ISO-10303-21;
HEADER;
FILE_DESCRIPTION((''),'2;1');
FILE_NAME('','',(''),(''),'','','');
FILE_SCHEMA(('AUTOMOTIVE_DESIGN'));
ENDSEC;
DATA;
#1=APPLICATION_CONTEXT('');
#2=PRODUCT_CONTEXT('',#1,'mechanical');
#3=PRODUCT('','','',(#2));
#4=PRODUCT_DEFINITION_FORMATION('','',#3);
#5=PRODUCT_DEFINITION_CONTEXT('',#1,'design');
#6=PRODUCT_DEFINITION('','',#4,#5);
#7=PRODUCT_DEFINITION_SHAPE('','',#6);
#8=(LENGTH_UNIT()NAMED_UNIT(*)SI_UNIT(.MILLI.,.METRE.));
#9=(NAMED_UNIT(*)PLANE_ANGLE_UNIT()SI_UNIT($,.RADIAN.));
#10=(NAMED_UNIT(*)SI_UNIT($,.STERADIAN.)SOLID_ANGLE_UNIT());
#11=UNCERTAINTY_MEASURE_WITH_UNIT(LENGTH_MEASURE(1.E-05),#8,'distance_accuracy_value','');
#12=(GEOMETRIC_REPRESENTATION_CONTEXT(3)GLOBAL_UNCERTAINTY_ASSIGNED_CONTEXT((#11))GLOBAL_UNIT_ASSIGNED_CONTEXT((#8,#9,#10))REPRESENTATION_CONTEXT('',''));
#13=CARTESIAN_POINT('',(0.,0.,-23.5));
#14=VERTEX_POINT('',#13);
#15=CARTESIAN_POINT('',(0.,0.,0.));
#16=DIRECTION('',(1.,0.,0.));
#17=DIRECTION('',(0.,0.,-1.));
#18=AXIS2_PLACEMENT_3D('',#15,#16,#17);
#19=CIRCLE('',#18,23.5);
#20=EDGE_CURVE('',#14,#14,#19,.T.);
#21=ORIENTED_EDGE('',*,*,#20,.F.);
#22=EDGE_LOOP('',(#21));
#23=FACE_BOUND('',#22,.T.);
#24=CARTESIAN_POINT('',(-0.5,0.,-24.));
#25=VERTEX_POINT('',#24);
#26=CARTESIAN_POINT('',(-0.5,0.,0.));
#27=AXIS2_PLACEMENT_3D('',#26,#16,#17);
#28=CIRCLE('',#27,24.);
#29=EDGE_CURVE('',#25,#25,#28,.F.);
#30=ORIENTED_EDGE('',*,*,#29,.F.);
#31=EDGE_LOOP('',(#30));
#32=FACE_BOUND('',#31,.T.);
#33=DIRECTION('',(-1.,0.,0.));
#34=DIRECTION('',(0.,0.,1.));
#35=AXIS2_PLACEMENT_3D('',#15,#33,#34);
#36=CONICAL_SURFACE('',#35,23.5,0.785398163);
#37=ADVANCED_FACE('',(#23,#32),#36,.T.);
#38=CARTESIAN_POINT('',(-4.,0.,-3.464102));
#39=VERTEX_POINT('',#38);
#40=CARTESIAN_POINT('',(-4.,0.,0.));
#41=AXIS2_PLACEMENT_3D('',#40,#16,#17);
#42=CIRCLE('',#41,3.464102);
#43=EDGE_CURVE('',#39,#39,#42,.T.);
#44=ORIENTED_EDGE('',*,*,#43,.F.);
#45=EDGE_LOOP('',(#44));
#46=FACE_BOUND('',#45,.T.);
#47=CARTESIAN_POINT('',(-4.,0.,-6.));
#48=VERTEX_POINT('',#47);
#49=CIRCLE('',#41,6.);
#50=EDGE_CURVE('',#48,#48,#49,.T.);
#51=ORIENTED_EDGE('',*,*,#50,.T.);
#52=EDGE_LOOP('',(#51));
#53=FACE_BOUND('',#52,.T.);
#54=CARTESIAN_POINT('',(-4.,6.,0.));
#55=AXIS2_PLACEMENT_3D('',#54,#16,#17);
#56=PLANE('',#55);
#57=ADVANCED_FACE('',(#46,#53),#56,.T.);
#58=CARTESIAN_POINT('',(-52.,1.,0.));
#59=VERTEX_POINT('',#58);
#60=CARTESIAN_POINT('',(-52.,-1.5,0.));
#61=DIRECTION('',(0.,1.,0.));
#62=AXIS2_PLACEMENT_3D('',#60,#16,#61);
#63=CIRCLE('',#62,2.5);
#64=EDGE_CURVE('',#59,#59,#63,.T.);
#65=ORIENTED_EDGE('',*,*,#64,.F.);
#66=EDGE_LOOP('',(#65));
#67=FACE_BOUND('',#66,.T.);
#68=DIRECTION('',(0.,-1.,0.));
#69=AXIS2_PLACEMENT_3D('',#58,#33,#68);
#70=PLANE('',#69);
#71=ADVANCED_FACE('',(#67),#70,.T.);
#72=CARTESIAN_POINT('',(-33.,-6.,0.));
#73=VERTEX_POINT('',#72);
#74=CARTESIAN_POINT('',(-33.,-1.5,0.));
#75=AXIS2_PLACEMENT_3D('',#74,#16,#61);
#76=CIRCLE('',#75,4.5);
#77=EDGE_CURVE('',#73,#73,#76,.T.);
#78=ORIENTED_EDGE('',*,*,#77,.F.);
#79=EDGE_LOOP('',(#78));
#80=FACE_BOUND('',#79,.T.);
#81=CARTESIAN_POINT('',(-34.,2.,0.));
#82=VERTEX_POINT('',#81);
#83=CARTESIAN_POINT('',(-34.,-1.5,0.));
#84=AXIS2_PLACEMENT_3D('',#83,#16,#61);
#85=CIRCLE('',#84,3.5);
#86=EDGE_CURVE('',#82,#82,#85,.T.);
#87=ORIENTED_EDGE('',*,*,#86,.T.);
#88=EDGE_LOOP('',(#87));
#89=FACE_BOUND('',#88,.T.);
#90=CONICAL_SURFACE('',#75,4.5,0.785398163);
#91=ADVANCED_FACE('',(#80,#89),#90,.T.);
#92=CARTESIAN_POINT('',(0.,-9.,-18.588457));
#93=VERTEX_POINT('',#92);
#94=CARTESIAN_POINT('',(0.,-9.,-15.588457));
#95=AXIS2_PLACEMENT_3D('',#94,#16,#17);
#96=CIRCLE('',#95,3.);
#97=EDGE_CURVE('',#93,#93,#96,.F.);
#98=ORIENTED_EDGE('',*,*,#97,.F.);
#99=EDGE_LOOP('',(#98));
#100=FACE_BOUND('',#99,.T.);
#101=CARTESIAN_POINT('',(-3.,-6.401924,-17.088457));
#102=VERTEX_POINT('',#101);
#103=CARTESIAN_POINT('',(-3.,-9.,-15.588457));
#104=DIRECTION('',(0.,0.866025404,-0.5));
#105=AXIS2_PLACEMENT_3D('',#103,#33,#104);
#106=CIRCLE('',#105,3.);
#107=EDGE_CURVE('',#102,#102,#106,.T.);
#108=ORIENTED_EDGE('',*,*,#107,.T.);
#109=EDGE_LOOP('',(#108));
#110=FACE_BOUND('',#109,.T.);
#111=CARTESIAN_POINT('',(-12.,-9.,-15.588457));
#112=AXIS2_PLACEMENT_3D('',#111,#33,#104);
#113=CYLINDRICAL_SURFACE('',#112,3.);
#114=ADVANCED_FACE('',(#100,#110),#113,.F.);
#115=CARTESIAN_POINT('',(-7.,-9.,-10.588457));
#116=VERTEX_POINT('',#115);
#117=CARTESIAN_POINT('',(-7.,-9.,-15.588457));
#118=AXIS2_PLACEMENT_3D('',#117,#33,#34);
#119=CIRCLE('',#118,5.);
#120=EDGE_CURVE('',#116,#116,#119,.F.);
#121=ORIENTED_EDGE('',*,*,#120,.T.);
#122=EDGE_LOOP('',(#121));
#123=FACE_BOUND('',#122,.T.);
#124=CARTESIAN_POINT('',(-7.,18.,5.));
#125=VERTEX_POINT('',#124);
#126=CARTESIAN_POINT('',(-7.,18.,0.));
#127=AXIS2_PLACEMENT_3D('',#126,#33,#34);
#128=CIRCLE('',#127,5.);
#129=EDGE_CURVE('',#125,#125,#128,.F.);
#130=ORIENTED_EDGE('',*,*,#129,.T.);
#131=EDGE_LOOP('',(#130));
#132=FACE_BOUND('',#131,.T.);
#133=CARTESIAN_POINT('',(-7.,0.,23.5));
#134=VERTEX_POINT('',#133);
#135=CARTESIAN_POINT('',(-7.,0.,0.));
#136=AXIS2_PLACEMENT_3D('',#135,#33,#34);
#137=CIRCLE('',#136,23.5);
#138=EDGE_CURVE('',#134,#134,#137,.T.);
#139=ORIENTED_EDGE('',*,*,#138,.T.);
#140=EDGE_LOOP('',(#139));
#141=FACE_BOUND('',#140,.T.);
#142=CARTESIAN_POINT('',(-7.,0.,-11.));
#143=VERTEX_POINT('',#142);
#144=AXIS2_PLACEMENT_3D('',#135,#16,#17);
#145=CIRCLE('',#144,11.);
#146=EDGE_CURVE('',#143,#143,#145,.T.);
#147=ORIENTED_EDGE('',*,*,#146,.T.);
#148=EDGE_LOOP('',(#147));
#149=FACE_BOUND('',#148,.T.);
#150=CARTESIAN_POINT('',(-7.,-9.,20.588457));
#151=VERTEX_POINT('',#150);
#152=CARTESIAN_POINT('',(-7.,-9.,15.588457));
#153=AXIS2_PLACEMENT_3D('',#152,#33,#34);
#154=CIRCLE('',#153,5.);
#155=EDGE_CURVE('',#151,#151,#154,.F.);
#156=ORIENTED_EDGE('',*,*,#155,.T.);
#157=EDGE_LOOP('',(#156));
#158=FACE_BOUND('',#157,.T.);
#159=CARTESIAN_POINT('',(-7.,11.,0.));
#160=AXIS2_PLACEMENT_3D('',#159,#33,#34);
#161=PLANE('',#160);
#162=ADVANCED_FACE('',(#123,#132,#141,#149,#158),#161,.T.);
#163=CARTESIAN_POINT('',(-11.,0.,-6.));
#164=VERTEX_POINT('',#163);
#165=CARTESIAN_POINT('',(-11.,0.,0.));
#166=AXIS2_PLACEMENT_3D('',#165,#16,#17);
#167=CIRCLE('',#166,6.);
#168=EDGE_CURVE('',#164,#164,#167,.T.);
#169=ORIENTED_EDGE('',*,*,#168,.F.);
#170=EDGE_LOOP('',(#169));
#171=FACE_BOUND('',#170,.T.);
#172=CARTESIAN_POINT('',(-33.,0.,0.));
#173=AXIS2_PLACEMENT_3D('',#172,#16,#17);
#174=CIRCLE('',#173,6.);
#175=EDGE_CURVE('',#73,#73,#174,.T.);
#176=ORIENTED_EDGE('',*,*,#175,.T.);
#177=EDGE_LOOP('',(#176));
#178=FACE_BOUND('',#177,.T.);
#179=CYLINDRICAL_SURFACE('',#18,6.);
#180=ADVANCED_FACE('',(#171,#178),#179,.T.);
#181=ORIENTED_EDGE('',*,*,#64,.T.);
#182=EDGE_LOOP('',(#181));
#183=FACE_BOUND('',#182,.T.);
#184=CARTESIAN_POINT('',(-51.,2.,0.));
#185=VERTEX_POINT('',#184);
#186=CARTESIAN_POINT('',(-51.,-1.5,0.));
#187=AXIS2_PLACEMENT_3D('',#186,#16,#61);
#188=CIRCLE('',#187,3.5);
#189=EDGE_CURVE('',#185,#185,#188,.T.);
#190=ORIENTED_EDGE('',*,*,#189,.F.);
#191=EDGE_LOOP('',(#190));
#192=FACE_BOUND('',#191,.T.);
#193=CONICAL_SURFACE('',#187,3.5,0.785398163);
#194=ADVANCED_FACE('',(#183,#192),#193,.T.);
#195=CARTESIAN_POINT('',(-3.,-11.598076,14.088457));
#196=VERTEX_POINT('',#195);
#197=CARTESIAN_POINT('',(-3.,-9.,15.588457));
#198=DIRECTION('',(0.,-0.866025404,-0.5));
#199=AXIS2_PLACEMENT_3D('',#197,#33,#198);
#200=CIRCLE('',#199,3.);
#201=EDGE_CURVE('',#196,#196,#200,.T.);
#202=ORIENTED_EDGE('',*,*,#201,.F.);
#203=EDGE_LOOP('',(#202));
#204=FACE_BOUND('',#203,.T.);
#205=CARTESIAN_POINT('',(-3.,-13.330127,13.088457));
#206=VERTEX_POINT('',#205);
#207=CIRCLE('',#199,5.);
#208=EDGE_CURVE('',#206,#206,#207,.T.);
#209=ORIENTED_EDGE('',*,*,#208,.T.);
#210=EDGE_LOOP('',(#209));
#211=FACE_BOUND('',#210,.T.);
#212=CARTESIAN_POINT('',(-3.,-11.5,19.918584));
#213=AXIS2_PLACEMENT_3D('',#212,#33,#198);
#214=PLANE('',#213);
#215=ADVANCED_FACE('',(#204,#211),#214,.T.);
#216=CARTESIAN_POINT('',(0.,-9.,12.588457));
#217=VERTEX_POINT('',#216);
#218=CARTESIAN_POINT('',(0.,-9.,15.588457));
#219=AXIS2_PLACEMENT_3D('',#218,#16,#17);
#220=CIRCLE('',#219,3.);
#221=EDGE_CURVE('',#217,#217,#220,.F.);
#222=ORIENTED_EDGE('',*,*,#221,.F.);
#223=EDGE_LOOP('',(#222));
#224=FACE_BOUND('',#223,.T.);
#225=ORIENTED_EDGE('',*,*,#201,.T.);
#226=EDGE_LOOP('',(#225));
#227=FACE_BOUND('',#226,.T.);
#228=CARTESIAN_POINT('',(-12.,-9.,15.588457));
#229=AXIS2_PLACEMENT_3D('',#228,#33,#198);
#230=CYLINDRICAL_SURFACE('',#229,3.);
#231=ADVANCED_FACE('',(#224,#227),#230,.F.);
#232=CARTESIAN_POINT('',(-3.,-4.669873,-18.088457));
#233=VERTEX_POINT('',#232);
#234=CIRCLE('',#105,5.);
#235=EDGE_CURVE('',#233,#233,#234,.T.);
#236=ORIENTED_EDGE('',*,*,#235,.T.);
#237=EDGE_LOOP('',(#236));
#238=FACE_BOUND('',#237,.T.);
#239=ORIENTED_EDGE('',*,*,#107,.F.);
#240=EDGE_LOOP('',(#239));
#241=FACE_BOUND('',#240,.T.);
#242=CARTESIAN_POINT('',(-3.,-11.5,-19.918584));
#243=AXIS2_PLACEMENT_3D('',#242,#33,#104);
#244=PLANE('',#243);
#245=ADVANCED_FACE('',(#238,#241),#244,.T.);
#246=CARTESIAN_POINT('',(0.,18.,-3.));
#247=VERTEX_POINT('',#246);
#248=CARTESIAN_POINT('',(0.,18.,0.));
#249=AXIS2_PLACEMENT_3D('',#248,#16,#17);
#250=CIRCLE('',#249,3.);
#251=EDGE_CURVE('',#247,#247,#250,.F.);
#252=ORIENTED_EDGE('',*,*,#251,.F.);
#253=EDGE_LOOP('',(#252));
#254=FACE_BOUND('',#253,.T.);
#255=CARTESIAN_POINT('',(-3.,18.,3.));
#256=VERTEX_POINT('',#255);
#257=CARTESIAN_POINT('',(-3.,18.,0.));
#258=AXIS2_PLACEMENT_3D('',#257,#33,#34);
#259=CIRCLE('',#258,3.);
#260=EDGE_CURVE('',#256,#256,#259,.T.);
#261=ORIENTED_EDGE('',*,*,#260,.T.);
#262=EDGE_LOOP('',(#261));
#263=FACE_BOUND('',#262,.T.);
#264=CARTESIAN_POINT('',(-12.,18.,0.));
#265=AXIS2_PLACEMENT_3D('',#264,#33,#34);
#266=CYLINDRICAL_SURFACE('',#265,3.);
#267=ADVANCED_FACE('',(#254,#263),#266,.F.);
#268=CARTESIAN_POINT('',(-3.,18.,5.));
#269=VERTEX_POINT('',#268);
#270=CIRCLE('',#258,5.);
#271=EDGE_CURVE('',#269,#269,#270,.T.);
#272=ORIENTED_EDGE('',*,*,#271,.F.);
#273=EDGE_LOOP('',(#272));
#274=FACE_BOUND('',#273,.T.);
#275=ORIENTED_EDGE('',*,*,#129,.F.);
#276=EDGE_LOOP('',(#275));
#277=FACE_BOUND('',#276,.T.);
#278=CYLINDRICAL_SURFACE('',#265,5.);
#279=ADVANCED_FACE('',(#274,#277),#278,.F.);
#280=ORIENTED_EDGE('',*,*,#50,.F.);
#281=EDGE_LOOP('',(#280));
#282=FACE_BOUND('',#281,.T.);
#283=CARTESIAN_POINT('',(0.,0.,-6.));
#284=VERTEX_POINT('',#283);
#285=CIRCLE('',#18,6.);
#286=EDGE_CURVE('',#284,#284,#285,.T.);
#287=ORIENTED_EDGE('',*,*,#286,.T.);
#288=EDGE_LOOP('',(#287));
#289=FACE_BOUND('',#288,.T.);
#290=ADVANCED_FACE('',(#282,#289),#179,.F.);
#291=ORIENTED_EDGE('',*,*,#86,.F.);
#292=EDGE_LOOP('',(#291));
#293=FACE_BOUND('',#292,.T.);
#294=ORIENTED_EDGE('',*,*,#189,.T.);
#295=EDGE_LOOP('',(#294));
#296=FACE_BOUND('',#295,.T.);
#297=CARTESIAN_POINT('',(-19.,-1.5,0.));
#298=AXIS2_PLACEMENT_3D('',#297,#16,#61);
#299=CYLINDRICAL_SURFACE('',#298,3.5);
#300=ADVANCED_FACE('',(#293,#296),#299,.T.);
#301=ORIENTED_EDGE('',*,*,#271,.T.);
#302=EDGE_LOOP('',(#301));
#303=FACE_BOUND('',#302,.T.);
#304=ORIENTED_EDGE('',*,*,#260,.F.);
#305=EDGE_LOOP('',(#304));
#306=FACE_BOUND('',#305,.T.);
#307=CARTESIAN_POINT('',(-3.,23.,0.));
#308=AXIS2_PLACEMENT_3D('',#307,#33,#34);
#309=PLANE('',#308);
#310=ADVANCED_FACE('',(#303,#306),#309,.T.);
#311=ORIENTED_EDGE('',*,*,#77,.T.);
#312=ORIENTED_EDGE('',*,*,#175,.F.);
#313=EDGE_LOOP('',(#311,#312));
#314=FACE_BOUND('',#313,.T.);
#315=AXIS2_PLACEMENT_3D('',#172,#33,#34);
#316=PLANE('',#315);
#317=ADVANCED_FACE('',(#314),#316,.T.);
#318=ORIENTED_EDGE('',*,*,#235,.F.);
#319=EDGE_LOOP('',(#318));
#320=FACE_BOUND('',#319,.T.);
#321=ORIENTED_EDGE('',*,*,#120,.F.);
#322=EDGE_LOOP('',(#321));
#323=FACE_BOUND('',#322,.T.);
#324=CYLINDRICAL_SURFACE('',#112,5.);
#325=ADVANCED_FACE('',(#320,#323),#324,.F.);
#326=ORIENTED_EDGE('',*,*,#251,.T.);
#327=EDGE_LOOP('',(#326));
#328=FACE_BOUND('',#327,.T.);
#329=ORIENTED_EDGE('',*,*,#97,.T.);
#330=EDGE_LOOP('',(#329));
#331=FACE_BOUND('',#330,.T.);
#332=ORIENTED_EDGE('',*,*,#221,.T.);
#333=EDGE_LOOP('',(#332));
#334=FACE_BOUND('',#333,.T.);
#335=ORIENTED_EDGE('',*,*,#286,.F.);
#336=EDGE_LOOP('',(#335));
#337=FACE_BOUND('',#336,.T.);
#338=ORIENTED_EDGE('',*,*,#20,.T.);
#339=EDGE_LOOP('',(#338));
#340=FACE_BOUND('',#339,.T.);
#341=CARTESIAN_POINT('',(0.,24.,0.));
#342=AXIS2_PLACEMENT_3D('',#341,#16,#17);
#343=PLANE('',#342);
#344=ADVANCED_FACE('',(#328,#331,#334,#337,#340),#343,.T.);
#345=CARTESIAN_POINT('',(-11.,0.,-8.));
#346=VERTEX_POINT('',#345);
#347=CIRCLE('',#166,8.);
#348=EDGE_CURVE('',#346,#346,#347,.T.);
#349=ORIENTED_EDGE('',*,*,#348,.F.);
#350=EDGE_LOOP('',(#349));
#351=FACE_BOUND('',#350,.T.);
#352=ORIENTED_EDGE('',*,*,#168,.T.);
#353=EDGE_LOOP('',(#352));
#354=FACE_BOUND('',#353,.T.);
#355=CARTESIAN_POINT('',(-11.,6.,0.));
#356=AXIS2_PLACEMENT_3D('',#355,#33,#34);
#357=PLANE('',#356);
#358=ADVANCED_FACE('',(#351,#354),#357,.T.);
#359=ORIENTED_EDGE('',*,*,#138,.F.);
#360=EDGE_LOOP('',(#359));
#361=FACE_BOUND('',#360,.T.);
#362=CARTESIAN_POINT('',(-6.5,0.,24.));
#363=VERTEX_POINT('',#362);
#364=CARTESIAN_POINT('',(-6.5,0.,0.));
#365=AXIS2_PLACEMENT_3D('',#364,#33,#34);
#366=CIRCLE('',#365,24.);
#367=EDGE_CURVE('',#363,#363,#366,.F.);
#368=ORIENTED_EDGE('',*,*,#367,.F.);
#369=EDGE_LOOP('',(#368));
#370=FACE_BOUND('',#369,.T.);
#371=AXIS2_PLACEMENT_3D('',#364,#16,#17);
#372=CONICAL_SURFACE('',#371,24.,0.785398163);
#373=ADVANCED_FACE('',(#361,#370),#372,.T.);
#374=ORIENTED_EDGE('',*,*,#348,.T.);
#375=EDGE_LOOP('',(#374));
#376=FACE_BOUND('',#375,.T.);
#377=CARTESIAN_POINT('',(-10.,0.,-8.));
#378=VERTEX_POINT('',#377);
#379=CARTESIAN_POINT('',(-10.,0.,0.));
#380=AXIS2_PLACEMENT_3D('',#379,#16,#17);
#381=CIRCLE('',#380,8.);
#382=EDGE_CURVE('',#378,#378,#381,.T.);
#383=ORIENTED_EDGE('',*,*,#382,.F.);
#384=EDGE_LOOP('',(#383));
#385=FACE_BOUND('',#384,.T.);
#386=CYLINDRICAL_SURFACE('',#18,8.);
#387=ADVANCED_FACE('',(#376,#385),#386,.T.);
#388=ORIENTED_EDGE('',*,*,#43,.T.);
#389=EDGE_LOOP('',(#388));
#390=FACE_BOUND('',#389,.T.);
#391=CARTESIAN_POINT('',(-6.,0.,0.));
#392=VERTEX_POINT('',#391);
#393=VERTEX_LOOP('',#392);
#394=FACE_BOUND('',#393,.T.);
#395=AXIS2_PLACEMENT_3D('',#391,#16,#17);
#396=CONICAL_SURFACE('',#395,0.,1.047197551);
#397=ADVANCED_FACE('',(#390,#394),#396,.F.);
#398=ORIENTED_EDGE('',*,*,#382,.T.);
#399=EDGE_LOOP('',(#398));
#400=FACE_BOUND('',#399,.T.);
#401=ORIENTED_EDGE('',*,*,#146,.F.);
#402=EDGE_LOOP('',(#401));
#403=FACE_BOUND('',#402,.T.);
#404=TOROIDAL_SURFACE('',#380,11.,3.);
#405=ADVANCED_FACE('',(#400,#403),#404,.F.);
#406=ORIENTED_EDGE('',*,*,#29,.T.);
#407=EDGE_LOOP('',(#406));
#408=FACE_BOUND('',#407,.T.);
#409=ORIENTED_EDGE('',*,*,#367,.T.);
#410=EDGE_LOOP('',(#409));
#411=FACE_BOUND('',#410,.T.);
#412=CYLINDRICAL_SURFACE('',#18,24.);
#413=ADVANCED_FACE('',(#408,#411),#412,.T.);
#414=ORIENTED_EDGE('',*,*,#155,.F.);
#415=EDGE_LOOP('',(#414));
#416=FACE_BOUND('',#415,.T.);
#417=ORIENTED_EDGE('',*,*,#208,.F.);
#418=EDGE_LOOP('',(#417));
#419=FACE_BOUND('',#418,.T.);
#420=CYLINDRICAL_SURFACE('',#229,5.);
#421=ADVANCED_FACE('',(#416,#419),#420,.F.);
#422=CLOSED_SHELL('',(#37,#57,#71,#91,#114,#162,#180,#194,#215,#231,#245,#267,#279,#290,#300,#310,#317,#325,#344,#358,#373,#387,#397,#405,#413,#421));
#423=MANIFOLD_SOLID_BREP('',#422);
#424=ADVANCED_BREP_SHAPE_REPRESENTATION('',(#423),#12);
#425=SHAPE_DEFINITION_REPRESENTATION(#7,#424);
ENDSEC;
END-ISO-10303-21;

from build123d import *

# Parameters (mm, degrees)
CHANFREIN2_SIZE              = 0.5
R_P_TITION_CIRCULAIRE1_COUNT = 3


with BuildPart() as part:
    # Esquisse1 → Base-Révolution (revolve)
    with BuildSketch(Plane.XY, mode=Mode.PRIVATE) as base_r_volution_sk:
        with BuildLine():
            Line((-33, 0), (-33, 6))
            Line((-33, 6), (-11, 6))
            Line((-11, 6), (-11, 8))
            Line((-11, 8), (-10, 8))
            ThreePointArc((-10, 8), (-7.878679656, 8.878679656), (-7, 11))
            Line((-7, 11), (-7, 24))
            Line((-7, 24), (0, 24))
            Line((0, 24), (0, 6))
            Line((0, 6), (-4, 6))
            Line((-4, 6), (-4, 3.464101615))
            Line((-4, 3.464101615), (-6, 0))
            Line((-6, 0), (-33, 0))
        make_face()
    revolve(base_r_volution_sk.sketch.rotate(Axis((0, 0, 0), (-1, 0, 0)), 90), axis=Axis((0, 0, 0), (-1, 0, 0)))

    # Chanfrein2
    chanfrein2_edges = [part.edges().sort_by_distance(p)[0] for p in [
        (0, 0, 24),
        (-7, 0, 24),
    ]]
    chamfer(chanfrein2_edges, length=CHANFREIN2_SIZE)

    # Esquisse2 → Boss.-Révol.1 (revolve)
    with BuildSketch(Plane.XY):
        Polygon((-28, 3), (-33, 3), (-34, 2), (-51, 2), (-52, 1), (-52, -1.5), (-28, -1.5), align=None)
    revolve(axis=Axis((-19, -1.5, 0), (-1, 0, 0)))

    # Esquisse3 → Enlèvement de matière-Révolution2 (revolve, cut)
    with BuildSketch(Plane.XY, mode=Mode.PRIVATE) as enl_vement_de_mati_re_r_volution2_sk:
        Polygon((-8, 23), (-3, 23), (-3, 21), (4, 21), (4, 18), (-8, 18), align=None)
    enl_vement_de_mati_re_r_volution2 = revolve(enl_vement_de_mati_re_r_volution2_sk.sketch.rotate(Axis((-12, 18, 0), (1, 0, 0)), 90), axis=Axis((-12, 18, 0), (1, 0, 0)), mode=Mode.SUBTRACT)

    # Répétition circulaire1: Enlèvement de matière-Révolution2 ×3 about axis
    r_p_tition_circulaire1_axis = Axis((0, 0, 0), (1, 0, 0))
    for i in range(1, R_P_TITION_CIRCULAIRE1_COUNT):
        add(enl_vement_de_mati_re_r_volution2.rotate(r_p_tition_circulaire1_axis, i * 360 / R_P_TITION_CIRCULAIRE1_COUNT), mode=Mode.SUBTRACT)


solid = part.part
